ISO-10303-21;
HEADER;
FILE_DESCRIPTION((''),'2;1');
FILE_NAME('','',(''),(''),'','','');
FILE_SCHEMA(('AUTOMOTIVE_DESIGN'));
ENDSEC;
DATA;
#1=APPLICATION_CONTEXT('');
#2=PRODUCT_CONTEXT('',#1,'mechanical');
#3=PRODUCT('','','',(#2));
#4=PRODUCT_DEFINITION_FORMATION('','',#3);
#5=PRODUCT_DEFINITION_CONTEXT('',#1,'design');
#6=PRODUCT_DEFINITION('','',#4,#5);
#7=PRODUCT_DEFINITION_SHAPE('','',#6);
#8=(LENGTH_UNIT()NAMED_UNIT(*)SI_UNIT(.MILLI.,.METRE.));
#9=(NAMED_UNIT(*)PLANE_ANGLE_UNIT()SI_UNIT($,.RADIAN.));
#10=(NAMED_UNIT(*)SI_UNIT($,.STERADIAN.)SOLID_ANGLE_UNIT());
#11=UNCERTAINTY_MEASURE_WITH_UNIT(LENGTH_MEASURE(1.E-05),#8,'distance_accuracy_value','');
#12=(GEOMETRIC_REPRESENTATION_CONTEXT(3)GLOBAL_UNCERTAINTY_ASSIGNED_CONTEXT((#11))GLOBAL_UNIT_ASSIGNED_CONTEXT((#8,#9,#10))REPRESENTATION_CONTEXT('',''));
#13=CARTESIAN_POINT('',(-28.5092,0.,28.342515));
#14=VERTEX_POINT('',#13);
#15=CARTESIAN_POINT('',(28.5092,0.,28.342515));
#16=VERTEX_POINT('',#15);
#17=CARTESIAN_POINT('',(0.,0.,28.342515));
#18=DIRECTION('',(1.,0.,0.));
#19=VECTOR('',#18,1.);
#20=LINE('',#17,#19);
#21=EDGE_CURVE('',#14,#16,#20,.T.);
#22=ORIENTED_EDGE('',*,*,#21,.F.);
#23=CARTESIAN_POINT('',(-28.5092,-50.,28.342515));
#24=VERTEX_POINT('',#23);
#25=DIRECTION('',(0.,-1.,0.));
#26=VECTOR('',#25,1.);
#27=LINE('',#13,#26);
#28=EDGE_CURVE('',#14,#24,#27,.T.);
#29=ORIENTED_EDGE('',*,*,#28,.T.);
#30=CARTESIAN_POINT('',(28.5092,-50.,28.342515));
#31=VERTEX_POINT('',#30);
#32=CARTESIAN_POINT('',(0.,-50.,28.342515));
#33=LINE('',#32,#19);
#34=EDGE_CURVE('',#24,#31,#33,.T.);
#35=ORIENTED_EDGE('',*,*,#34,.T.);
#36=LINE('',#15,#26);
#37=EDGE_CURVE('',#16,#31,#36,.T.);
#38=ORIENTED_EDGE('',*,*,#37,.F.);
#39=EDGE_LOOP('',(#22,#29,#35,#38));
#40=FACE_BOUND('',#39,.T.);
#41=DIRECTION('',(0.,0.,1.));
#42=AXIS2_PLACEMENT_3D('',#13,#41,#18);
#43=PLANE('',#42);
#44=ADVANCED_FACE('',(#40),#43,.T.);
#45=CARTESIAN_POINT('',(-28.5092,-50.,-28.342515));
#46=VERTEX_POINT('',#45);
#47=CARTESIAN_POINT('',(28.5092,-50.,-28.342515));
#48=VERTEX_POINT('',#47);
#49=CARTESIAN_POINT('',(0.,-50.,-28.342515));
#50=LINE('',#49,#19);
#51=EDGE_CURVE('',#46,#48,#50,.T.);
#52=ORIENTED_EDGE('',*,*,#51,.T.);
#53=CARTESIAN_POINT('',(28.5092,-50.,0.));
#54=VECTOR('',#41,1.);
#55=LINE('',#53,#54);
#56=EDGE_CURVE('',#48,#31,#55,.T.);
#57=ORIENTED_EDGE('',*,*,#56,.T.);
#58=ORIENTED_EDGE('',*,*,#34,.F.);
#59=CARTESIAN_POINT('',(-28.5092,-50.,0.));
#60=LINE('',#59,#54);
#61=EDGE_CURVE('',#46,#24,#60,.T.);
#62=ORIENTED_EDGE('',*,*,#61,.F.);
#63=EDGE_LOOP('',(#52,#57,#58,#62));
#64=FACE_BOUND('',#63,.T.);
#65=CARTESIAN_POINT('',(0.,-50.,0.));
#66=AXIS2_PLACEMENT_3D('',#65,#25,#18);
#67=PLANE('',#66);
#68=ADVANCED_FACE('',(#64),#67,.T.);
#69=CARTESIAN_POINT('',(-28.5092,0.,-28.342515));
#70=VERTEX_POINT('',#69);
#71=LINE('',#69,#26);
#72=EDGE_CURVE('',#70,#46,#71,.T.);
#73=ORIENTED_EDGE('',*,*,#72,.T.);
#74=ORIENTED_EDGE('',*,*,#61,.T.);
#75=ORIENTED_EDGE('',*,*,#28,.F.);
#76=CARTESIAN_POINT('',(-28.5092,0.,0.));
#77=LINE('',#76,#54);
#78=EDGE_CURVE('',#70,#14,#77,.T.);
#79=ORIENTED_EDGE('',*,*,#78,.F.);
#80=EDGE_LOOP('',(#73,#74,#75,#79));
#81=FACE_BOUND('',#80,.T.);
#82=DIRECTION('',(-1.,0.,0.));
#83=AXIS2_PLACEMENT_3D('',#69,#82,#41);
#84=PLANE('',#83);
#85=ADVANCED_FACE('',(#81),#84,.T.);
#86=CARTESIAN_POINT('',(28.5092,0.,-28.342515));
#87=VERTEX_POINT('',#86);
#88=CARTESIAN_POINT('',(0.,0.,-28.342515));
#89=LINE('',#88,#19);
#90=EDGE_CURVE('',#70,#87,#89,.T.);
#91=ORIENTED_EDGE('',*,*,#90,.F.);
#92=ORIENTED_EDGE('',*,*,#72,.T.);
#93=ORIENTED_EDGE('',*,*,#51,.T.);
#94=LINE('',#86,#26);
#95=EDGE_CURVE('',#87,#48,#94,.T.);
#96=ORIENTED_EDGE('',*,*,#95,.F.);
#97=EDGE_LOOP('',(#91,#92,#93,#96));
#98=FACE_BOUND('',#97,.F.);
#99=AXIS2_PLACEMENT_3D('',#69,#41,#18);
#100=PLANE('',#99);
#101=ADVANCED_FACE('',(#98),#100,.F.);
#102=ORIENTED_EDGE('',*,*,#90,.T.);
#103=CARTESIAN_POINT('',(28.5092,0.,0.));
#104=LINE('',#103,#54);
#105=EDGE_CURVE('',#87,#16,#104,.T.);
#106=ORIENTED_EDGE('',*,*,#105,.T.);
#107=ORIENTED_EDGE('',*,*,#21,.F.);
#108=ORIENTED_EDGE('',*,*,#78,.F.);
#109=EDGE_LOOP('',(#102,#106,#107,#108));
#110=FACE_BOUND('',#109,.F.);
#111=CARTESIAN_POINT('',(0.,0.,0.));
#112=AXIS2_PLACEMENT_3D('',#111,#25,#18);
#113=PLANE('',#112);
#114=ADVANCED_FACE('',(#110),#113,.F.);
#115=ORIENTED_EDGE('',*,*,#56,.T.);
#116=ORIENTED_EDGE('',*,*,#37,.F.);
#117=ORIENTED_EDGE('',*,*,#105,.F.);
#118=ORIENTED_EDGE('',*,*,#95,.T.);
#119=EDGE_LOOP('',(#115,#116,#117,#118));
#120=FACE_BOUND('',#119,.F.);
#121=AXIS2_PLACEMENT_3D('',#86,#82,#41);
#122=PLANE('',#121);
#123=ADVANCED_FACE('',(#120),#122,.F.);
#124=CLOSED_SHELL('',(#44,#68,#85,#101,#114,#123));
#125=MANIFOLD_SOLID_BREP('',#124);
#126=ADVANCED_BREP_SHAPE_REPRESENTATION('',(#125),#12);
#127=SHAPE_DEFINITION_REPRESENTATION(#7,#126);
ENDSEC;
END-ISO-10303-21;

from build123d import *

# Parameters (mm, degrees)
F0_W     = 57.0184
F0_H     = 56.68503
F1_DEPTH = 50


with BuildPart() as f1:
    # F0 (on Front) → F1 (new body)
    with BuildSketch(Plane.XZ):
        Rectangle(F0_W, F0_H)
    extrude(amount=F1_DEPTH)


solid = f1.part
